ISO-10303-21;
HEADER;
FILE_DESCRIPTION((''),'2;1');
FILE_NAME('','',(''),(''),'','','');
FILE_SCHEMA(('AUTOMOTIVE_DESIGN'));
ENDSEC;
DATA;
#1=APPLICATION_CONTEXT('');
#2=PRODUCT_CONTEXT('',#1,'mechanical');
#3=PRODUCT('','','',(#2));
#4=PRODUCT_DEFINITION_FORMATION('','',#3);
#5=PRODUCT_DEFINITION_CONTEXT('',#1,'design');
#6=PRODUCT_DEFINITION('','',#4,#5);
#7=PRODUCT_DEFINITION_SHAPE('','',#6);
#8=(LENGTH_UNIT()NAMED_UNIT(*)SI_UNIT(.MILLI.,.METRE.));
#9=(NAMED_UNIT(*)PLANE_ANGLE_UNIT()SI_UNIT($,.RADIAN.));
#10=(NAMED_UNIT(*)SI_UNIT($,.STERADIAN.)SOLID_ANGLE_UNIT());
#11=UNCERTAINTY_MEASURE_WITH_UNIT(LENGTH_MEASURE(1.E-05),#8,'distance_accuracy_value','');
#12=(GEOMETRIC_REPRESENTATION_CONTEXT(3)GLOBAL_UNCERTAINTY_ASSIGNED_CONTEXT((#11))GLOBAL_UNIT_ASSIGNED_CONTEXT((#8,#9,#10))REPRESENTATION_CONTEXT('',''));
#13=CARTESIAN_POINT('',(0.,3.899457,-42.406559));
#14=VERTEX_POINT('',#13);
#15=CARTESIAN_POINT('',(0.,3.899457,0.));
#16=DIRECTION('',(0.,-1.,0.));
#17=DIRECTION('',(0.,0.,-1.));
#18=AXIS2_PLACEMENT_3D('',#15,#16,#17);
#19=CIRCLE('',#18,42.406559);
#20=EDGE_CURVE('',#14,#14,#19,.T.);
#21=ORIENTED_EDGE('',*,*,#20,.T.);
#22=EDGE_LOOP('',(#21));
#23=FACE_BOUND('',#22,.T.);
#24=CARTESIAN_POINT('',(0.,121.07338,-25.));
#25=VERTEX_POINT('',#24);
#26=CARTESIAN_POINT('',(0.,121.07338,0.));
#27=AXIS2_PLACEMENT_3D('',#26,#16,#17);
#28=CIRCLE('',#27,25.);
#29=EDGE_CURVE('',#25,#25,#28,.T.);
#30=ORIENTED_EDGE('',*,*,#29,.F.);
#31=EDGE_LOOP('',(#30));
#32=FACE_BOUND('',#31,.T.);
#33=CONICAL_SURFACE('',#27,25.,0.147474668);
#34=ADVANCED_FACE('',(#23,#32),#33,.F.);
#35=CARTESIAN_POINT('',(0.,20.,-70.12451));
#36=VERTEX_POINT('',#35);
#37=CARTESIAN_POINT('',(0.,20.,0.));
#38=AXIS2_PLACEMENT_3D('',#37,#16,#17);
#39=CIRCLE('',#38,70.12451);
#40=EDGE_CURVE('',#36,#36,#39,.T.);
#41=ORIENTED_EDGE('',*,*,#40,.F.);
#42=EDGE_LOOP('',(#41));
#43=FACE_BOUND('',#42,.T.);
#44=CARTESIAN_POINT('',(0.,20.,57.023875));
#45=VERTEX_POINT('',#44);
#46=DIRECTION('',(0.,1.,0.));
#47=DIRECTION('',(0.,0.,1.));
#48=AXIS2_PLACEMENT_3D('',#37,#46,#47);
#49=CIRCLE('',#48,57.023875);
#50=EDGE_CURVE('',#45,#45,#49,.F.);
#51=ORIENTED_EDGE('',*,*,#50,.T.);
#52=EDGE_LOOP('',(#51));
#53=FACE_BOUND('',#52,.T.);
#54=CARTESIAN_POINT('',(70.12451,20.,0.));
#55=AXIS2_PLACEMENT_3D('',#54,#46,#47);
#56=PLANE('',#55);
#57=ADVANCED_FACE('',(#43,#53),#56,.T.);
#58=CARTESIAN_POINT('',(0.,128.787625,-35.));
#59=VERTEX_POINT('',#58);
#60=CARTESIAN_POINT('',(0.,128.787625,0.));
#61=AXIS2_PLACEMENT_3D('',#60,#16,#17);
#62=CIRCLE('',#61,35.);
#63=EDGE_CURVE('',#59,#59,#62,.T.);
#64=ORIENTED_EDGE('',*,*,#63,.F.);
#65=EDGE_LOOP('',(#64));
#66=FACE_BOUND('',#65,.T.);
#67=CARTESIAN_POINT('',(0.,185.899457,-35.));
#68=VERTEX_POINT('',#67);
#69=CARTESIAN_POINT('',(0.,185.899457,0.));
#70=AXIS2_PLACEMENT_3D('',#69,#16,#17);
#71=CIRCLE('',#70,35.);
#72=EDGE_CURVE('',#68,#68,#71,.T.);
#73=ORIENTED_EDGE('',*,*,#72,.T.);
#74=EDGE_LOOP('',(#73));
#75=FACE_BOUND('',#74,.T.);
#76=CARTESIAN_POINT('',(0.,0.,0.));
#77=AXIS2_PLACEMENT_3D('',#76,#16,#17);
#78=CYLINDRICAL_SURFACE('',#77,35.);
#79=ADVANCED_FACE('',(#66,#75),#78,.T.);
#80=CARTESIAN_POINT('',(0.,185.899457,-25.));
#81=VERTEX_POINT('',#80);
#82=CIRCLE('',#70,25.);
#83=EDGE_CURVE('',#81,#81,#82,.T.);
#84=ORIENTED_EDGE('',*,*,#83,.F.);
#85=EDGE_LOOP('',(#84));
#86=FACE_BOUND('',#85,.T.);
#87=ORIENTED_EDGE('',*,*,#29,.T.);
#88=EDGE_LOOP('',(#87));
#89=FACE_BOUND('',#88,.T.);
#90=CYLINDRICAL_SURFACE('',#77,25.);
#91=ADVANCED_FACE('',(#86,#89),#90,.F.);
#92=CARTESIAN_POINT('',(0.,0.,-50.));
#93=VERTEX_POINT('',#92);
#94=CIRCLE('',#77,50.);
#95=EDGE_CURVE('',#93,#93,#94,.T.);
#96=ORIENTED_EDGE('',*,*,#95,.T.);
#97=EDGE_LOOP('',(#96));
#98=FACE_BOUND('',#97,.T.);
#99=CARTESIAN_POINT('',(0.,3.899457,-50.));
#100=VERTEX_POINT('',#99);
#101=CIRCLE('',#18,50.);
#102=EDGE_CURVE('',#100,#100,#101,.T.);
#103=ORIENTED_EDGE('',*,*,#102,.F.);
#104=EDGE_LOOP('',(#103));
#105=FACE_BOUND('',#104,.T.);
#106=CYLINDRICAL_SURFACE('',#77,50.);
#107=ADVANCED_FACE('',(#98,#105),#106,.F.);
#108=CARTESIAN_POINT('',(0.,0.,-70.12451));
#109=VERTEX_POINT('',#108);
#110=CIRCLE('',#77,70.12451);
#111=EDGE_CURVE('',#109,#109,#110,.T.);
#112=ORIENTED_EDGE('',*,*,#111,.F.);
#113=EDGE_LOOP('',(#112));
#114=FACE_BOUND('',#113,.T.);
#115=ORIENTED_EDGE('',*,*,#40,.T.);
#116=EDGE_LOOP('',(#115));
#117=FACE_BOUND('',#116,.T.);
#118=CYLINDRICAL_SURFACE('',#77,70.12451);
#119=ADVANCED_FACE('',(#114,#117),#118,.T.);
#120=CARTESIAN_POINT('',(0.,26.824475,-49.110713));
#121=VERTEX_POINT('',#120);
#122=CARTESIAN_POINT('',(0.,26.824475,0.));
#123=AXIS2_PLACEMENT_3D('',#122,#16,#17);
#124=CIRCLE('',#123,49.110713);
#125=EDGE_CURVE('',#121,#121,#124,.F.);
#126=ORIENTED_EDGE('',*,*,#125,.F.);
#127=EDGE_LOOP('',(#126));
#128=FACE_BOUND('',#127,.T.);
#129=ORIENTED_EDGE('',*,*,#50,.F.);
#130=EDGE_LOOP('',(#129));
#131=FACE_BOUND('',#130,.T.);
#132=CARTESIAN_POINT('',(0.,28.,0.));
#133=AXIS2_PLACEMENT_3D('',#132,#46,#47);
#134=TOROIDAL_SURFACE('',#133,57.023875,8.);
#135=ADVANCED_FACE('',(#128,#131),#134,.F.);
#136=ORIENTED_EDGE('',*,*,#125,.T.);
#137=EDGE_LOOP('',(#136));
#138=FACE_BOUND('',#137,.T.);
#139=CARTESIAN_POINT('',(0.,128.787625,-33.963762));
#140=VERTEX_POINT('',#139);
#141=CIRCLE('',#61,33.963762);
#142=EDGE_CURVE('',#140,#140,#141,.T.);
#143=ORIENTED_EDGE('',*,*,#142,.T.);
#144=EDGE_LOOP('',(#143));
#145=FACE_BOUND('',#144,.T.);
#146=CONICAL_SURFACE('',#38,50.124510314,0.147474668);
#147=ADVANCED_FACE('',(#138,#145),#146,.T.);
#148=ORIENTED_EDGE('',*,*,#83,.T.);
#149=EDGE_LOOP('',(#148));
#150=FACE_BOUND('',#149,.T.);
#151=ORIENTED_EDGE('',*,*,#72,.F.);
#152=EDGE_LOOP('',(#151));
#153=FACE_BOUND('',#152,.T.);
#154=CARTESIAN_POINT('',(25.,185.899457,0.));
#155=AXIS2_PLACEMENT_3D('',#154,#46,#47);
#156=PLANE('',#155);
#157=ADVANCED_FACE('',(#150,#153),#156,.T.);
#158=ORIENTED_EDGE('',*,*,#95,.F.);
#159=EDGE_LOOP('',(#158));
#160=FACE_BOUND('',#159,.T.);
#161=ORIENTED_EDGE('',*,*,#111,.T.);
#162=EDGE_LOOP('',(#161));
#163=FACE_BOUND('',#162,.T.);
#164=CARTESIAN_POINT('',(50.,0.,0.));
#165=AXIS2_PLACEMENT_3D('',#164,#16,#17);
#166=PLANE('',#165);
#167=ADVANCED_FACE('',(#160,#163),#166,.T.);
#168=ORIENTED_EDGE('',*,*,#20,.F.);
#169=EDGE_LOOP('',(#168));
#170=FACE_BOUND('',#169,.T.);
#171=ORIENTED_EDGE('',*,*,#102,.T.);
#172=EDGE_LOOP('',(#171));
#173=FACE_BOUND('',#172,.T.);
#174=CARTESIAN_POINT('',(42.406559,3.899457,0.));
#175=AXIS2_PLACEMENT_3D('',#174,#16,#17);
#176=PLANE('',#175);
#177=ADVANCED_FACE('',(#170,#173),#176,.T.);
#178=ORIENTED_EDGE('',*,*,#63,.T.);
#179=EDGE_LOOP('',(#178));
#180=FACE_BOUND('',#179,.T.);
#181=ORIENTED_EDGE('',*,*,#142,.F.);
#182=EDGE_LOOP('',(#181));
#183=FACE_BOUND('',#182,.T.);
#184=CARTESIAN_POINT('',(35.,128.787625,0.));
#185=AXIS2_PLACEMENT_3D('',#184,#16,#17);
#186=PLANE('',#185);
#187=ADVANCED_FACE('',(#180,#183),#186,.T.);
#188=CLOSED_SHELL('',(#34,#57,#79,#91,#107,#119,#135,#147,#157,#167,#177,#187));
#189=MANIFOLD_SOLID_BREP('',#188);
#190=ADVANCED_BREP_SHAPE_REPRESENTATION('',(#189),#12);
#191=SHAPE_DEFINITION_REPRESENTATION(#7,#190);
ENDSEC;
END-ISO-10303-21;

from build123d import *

# Parameters (mm, degrees)
FILLET1_R = 8


with BuildPart() as part:
    # Sketch3 → Revolve1 (revolve)
    with BuildSketch(Plane.XY, mode=Mode.PRIVATE) as revolve1_sk:
        Polygon((25, 185.89945678), (35, 185.89945678), (35, 128.787624663), (33.963762469, 128.787624663), (50.124510314, 20), (70.124510314, 20), (70.124510314, 0), (50, 0), (50, 3.89945678), (42.40655913, 3.89945678), (25, 121.073379639), align=None)
    revolve(revolve1_sk.sketch.rotate(Axis((0, 0, 0), (0, 1, 0)), 90), axis=Axis((0, 0, 0), (0, 1, 0)))

    # Fillet1
    fillet1_edges = [part.edges().sort_by_distance(p)[0] for p in [
        (0, 20, 50.124510314),
    ]]
    fillet(fillet1_edges, radius=FILLET1_R)


solid = part.part
